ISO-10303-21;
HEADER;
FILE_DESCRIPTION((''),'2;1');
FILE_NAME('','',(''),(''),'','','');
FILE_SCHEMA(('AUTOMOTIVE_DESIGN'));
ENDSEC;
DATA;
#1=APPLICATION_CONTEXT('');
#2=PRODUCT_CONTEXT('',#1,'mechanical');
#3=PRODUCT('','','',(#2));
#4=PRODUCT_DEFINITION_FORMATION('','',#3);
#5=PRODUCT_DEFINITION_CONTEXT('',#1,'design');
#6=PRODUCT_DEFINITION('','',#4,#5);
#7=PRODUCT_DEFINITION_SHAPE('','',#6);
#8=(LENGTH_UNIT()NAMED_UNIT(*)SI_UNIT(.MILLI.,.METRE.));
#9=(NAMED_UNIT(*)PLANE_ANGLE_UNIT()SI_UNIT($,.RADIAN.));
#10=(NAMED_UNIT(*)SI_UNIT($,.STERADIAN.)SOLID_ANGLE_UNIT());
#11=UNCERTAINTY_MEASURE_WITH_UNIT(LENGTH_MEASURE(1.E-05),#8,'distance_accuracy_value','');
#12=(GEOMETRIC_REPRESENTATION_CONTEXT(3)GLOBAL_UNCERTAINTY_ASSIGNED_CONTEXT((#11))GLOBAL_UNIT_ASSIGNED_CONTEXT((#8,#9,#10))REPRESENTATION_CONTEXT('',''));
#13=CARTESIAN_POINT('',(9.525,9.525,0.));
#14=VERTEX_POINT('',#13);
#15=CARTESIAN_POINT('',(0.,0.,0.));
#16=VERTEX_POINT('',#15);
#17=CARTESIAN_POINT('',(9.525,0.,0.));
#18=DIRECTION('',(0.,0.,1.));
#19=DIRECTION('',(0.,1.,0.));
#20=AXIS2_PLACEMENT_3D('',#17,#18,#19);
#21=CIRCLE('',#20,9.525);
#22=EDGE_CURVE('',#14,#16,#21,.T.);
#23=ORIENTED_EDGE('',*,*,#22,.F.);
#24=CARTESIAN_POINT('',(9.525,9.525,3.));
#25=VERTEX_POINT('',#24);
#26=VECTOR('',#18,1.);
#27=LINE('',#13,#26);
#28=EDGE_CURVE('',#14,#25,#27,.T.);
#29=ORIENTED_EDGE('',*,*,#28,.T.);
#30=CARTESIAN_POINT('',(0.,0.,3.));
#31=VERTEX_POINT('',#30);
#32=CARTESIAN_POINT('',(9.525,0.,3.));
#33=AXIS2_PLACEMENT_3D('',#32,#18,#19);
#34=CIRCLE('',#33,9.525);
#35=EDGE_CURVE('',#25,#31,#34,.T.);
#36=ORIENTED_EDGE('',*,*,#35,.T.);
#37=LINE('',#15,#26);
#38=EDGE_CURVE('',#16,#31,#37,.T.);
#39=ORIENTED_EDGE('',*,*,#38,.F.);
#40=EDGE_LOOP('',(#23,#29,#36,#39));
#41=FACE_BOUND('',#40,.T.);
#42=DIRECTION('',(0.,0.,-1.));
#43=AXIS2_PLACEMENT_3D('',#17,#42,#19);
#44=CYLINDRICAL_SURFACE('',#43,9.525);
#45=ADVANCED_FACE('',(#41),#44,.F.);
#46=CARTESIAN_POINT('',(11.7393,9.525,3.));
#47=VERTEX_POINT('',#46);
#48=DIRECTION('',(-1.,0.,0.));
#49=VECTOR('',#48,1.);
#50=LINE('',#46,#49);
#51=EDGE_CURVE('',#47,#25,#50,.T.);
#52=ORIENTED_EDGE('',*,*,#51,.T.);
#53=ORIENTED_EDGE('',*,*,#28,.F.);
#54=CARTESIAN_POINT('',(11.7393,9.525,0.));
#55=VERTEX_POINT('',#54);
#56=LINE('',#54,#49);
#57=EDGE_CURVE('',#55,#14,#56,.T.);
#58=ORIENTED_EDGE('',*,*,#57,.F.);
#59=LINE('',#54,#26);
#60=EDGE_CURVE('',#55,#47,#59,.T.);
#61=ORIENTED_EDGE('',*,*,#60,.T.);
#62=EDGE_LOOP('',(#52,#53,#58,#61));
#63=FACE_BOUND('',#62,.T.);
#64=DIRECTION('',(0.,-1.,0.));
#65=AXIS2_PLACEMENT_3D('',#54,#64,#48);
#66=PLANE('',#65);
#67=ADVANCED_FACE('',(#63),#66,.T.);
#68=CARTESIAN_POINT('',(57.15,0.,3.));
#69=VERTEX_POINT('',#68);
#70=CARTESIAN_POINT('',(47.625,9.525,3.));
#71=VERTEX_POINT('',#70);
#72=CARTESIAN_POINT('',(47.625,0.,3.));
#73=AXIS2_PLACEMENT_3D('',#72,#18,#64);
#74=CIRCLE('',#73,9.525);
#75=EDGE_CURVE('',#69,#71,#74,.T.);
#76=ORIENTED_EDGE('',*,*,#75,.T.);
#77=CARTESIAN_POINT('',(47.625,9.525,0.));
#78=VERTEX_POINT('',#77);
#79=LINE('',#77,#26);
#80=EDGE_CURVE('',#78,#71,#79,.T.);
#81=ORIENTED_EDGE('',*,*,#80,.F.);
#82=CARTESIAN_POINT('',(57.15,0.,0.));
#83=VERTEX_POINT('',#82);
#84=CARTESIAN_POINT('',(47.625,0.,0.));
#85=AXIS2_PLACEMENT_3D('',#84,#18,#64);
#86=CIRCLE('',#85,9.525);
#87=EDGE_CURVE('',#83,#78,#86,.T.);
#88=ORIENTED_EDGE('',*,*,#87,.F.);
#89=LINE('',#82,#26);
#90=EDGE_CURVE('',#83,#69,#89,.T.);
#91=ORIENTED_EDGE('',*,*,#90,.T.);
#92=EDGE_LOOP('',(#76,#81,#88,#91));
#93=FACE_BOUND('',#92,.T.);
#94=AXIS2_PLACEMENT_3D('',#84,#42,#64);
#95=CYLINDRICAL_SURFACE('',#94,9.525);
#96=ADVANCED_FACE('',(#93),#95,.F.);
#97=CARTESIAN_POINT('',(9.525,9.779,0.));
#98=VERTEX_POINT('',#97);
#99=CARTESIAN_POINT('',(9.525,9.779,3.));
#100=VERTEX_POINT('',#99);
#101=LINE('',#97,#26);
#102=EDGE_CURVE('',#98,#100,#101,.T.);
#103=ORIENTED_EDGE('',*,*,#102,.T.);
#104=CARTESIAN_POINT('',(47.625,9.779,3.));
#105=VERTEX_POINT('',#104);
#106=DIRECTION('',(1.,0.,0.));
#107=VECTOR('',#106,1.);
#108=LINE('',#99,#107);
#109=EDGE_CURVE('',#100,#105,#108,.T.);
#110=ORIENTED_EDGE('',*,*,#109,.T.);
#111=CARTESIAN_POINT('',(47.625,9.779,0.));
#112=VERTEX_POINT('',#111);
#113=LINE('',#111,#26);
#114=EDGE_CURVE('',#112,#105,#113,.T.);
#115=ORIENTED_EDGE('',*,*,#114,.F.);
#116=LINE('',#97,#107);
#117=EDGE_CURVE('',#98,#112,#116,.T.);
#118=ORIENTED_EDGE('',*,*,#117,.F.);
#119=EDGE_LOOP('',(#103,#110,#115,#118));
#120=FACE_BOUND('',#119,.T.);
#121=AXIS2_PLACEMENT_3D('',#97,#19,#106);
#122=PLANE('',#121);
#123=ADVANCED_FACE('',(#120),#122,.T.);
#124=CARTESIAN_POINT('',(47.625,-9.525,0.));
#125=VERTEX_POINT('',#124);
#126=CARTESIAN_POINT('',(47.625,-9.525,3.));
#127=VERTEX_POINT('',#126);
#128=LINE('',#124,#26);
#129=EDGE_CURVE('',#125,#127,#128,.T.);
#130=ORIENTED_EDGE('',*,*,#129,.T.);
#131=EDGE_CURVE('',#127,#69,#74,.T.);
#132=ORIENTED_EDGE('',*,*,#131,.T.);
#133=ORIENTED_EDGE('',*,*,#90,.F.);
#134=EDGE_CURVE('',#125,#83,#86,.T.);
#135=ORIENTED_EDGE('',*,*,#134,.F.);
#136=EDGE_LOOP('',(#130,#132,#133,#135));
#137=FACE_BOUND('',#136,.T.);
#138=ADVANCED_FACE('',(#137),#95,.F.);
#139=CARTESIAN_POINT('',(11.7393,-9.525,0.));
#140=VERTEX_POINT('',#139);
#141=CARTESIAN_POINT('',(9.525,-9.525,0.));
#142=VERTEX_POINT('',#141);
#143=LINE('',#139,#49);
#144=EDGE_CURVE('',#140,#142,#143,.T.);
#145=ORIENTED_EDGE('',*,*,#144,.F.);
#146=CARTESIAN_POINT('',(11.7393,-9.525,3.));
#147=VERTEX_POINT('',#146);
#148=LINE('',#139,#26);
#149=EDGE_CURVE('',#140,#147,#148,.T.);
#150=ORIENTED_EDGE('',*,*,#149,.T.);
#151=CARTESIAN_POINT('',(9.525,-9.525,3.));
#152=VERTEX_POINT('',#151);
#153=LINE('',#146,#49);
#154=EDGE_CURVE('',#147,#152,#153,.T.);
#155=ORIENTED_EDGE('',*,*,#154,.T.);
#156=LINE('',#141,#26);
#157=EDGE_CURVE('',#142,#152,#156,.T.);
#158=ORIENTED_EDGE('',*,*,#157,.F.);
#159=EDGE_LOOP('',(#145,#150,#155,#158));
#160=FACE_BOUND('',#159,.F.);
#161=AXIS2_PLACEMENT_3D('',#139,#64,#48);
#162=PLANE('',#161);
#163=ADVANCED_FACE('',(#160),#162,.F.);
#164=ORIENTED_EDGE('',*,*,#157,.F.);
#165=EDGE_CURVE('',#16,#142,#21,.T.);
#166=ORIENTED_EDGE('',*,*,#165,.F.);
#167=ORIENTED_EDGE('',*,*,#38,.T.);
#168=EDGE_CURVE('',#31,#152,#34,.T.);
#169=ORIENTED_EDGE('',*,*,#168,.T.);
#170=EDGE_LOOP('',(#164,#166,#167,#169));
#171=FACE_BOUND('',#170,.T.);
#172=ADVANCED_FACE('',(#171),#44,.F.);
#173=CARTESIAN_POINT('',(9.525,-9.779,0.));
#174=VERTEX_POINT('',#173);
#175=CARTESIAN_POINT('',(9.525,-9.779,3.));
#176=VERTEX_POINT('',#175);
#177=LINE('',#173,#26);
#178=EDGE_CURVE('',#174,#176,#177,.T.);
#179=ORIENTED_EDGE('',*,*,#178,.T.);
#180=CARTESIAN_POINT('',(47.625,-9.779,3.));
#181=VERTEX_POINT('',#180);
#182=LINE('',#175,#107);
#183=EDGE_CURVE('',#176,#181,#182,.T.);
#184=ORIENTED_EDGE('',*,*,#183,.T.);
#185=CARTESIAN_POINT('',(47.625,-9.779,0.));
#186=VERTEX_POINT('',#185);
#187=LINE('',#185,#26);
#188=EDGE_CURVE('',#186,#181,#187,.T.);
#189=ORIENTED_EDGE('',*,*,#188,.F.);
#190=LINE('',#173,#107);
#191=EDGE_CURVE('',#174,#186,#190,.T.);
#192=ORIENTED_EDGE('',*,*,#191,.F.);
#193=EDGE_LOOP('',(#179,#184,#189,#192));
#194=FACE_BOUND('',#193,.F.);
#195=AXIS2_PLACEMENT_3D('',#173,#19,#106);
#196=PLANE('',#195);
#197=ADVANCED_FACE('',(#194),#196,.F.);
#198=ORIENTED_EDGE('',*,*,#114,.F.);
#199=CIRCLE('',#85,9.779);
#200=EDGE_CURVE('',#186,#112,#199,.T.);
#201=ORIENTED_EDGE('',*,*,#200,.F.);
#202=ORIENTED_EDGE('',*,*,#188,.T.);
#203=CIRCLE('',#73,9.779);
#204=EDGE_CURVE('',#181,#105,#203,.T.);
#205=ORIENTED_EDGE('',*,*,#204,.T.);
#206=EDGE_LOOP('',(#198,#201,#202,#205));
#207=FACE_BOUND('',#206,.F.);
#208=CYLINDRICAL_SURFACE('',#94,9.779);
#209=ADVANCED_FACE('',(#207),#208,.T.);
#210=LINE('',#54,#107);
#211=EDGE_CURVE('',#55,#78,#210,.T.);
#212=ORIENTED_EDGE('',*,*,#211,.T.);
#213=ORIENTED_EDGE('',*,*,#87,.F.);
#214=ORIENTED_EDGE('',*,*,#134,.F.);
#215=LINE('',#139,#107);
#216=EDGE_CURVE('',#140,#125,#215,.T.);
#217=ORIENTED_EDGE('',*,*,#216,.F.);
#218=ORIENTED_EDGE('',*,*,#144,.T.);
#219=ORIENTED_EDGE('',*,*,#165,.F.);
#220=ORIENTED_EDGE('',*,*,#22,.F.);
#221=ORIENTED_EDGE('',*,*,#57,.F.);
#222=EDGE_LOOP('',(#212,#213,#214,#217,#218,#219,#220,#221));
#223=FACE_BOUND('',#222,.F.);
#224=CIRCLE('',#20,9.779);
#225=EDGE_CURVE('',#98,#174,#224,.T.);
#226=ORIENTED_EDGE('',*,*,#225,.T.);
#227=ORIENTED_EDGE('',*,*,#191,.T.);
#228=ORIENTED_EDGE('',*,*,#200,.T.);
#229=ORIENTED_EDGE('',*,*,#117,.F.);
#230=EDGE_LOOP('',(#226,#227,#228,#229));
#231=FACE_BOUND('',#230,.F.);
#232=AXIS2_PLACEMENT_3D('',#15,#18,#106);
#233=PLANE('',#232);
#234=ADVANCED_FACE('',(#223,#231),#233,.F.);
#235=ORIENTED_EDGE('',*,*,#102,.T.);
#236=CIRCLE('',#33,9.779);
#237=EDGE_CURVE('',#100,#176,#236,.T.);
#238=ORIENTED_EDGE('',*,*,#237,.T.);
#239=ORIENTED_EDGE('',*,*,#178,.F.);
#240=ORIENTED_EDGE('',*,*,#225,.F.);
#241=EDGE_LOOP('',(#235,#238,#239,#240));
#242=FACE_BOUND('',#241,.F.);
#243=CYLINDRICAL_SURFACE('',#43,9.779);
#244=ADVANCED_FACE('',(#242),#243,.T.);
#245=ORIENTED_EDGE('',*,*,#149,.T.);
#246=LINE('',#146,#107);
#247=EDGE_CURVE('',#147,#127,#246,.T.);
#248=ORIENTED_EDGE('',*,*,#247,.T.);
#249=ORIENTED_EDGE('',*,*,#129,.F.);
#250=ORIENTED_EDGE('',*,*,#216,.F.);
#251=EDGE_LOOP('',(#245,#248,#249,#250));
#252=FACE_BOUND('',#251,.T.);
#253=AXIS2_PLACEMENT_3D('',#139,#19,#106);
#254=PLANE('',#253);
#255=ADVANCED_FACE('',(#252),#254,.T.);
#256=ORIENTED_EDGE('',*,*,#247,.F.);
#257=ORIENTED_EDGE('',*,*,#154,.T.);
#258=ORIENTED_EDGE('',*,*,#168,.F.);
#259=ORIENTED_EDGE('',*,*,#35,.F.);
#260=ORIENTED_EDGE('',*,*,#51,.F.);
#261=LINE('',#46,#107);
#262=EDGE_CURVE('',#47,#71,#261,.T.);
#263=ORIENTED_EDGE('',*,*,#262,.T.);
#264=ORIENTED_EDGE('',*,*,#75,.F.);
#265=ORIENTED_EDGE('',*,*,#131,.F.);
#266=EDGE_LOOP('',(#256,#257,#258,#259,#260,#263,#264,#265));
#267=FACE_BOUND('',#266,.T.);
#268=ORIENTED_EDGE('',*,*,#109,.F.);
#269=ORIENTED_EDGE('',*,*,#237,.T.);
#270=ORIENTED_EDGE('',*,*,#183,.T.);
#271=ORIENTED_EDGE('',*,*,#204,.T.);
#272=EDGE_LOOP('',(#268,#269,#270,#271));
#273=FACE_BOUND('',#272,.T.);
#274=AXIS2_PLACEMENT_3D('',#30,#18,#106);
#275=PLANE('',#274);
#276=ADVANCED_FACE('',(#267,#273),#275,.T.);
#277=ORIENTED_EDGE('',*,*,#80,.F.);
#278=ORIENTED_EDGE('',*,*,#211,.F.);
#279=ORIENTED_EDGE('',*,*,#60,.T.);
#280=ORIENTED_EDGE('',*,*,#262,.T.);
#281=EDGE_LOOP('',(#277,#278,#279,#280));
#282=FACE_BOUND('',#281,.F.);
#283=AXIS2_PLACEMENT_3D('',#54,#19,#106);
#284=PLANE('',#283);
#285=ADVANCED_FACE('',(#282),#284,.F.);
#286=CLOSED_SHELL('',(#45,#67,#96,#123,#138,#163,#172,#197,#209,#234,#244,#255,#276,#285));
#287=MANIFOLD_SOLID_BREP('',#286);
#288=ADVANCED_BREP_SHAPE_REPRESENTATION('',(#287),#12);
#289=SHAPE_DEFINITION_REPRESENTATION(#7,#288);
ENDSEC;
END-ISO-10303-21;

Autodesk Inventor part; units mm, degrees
ref_plane "YZ Plane" through (0, 0, 0) normal (1, 0, 0) x (0, 1, 0)
ref_plane "XZ Plane" through (0, 0, 0) normal (0, 1, 0) x (-1, 0, 0)
ref_plane "XY Plane" through (0, 0, 0) normal (0, 0, 1) x (1, 0, 0)
sketch "Sketch1" plane through (0, 0, 0) normal (0, 0, 1) x (1, 0, 0)
  line L0 (0, 0) -> (57.15, 0)
  arc A0 (9.525, 9.525) -> (9.525, -9.525) centre (9.525, 0) ccw
  arc A1 (47.625, -9.525) -> (47.625, 9.525) centre (47.625, 0) ccw
  line L1 (11.7393, 9.525) -> (47.625, 9.525)
  line L2 (11.7393, -9.525) -> (47.625, -9.525)
  arc A2 (47.625, -9.779) -> (47.625, 9.779) centre (47.625, 0) ccw
  line L3 (9.525, 9.779) -> (47.625, 9.779)
  line L4 (9.525, -9.779) -> (47.625, -9.779)
  line L5 (11.7393, -9.525) -> (9.525, -9.525)
  line L6 (11.7393, 9.525) -> (9.525, 9.525)
  arc A3 (9.525, 9.779) -> (9.525, -9.779) centre (9.525, 0) ccw
  dimension "d0" = 57.15
  dimension "d2" = 19.558
extrude "Extrusion1" add sketch "Sketch1" along normal blind 3
properties part number "Rubber Band"
